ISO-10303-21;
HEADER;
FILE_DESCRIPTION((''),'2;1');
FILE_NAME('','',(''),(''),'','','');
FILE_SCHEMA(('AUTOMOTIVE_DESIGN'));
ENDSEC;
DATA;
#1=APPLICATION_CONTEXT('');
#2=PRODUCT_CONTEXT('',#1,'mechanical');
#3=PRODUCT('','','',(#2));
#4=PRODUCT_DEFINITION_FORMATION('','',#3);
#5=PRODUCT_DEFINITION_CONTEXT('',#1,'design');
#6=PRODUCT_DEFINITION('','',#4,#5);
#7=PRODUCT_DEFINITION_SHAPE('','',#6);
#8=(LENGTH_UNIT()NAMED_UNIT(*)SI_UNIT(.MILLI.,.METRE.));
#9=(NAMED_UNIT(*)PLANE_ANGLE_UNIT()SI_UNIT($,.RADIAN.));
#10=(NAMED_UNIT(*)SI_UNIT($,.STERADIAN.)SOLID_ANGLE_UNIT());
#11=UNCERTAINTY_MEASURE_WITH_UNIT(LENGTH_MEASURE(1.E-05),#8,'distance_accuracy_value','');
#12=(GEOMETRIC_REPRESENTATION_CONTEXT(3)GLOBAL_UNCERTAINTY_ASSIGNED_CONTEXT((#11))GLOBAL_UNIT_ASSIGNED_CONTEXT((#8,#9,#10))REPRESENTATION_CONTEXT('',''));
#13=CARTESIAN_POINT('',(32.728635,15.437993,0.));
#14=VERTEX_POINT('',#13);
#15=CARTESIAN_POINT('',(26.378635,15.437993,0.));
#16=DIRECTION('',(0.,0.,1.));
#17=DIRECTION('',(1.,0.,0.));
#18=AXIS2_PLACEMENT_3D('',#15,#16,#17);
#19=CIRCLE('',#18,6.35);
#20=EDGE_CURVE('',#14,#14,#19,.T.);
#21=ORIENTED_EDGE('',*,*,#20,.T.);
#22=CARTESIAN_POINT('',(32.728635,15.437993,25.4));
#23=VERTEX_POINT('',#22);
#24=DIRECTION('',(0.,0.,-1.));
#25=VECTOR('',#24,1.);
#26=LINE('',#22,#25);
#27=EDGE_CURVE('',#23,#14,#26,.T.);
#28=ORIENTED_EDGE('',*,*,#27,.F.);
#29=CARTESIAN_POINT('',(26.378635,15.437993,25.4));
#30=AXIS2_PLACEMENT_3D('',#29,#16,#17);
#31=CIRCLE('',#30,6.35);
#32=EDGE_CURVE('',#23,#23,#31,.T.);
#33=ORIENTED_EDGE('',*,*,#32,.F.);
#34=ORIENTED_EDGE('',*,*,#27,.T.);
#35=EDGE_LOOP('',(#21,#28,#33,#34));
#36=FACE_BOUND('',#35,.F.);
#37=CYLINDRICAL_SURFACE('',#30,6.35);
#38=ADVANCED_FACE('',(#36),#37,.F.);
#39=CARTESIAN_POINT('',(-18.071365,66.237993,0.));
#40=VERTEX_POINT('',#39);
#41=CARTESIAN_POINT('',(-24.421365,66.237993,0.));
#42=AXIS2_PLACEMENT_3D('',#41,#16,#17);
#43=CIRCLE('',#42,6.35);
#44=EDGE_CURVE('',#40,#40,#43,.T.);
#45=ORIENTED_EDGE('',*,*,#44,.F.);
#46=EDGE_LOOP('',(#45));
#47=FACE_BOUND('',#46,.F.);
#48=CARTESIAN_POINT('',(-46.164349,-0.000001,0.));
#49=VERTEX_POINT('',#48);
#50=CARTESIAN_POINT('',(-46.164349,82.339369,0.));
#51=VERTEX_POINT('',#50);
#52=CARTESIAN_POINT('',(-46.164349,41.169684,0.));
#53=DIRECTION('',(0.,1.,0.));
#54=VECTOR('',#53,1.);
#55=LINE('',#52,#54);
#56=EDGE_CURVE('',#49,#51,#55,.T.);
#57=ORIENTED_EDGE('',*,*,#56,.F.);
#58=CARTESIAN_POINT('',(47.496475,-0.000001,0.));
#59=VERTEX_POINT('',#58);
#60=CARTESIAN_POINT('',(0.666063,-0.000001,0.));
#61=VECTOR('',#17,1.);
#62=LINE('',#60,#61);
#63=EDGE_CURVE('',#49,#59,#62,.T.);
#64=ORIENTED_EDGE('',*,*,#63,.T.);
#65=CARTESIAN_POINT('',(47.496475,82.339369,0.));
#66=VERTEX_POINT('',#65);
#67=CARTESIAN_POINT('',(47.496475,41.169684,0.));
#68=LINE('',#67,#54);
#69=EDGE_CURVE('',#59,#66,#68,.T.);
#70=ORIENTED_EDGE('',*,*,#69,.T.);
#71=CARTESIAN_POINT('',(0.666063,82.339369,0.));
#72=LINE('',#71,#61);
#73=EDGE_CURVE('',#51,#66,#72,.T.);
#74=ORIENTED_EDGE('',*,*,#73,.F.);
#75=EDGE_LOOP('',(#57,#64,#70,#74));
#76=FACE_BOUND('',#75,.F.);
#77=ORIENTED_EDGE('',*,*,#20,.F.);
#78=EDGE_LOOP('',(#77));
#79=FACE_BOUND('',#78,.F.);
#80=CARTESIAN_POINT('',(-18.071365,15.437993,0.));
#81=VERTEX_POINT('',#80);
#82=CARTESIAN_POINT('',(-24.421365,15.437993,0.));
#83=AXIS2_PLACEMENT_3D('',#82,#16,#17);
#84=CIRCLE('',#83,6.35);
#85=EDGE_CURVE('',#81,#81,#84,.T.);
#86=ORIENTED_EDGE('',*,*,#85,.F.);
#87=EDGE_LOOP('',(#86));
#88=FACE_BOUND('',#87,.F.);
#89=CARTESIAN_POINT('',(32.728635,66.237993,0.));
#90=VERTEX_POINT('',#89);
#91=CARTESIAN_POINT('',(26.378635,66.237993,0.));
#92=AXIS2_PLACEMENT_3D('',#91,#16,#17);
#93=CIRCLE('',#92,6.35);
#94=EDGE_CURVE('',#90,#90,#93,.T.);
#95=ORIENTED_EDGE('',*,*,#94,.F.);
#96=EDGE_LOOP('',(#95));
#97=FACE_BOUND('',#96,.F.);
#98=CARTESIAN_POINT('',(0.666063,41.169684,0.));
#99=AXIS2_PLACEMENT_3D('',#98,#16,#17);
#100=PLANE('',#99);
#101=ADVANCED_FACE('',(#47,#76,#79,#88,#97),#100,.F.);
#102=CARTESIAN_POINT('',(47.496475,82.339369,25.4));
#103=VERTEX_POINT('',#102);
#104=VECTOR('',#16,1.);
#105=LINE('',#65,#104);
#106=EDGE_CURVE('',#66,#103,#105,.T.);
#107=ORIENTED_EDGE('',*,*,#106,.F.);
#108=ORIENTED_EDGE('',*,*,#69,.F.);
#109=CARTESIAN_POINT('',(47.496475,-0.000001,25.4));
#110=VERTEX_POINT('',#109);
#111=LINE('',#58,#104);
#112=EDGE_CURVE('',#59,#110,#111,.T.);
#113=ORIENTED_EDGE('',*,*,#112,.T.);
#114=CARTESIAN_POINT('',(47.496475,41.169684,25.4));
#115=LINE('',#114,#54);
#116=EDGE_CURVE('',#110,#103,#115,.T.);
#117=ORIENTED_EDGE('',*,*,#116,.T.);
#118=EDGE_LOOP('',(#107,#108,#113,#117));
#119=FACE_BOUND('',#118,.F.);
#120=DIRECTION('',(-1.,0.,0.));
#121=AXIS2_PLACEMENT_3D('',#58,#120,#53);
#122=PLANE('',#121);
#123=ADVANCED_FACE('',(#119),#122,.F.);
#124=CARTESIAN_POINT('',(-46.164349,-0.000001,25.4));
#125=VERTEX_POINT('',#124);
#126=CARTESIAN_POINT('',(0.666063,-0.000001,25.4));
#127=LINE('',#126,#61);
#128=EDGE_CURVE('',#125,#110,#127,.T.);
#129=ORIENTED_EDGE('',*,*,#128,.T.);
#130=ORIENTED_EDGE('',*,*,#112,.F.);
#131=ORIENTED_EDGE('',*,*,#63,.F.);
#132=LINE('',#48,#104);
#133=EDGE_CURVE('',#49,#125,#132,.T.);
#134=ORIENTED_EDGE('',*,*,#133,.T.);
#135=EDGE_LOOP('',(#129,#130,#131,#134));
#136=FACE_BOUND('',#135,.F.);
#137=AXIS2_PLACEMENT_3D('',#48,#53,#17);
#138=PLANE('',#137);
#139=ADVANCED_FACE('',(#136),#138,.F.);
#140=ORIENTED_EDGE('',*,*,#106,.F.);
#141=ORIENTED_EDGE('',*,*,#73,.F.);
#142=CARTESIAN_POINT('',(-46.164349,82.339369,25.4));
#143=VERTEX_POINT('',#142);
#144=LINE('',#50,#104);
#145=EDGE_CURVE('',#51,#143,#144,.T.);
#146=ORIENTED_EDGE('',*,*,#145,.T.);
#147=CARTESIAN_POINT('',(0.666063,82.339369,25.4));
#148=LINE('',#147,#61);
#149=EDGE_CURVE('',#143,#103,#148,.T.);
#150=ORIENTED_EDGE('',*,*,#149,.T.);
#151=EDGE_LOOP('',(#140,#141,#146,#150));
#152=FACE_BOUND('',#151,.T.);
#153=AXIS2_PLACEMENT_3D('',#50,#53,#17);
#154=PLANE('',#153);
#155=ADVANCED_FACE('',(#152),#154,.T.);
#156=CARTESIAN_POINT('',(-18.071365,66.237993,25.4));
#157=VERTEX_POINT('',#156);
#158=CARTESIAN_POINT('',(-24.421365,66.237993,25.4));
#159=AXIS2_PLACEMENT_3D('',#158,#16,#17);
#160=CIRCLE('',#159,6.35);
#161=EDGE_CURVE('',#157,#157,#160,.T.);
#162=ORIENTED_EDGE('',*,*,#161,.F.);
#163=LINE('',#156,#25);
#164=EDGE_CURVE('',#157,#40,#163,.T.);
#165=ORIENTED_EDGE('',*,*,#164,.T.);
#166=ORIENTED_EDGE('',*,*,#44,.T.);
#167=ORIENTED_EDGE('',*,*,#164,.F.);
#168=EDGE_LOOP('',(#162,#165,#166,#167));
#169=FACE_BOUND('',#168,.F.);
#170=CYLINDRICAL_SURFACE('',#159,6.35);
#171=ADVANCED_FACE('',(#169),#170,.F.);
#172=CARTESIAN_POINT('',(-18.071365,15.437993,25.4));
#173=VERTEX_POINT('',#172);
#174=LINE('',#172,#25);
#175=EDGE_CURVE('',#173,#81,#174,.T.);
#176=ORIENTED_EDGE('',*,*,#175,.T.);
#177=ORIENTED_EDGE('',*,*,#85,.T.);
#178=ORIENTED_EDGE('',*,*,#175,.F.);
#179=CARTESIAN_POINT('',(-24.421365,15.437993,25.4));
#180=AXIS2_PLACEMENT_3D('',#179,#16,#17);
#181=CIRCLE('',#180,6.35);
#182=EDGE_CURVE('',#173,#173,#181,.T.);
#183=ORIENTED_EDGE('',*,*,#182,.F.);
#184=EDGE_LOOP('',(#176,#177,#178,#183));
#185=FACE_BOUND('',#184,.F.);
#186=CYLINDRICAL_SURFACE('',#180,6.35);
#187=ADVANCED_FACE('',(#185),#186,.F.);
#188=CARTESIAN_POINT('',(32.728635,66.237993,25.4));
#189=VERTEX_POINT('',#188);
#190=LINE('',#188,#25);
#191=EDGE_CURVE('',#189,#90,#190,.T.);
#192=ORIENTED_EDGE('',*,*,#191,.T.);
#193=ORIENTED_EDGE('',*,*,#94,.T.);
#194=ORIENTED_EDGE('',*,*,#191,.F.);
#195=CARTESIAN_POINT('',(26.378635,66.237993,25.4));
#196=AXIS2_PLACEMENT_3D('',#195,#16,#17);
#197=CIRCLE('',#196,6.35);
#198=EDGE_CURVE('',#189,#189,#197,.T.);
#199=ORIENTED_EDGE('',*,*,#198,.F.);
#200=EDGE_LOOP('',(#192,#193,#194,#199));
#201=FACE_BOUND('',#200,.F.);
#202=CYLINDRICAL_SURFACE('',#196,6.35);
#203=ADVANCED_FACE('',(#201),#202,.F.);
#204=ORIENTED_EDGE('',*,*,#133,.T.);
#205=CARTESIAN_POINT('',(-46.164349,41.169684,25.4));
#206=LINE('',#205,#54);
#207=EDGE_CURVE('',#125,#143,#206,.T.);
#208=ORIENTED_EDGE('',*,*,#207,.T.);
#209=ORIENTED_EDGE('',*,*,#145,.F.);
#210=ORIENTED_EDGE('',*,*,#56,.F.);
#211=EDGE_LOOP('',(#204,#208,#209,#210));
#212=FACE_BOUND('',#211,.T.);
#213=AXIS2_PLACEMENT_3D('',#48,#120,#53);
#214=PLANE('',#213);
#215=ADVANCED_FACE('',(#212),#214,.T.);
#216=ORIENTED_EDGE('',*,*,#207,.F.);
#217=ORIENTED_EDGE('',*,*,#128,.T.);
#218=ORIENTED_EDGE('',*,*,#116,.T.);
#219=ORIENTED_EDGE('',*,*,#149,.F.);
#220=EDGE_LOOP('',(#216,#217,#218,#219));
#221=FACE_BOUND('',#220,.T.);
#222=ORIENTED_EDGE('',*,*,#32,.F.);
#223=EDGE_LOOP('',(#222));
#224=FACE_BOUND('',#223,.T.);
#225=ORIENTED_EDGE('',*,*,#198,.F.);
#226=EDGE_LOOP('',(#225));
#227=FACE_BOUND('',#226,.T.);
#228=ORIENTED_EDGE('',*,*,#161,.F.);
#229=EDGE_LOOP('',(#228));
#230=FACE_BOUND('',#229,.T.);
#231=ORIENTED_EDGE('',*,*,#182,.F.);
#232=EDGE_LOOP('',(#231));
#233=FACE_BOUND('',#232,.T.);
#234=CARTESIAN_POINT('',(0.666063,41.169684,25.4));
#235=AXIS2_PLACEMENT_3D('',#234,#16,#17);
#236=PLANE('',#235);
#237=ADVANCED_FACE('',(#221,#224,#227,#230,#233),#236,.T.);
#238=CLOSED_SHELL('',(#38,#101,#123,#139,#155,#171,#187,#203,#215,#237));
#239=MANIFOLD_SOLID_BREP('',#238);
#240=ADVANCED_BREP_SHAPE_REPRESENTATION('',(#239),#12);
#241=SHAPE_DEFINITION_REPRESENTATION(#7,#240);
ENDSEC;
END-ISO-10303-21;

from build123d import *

# Parameters (mm, degrees)
F0_W     = 93.660824
F0_H     = 82.339369
F2_DEPTH = 25.4
F3_R     = 6.35
F1_DEPTH = 25.401


with BuildPart() as f2:
    # F0 (on Top) → F2 (new body)
    with BuildSketch(Plane.XY):
        with Locations((0.666063, 41.169684)):
            Rectangle(F0_W, F0_H)
    extrude(amount=F2_DEPTH)

    # F3 (on face) → F1 (cut, through all)
    with BuildSketch(Plane.XY.offset(25.4)):
        with Locations((26.378635, 66.237993)):
            Circle(F3_R)
        with Locations((26.378635, 15.437993)):
            Circle(F3_R)
        with Locations((-24.421365, 66.237993)):
            Circle(F3_R)
        with Locations((-24.421365, 15.437993)):
            Circle(F3_R)
    extrude(amount=-F1_DEPTH, mode=Mode.SUBTRACT)


solid = f2.part
